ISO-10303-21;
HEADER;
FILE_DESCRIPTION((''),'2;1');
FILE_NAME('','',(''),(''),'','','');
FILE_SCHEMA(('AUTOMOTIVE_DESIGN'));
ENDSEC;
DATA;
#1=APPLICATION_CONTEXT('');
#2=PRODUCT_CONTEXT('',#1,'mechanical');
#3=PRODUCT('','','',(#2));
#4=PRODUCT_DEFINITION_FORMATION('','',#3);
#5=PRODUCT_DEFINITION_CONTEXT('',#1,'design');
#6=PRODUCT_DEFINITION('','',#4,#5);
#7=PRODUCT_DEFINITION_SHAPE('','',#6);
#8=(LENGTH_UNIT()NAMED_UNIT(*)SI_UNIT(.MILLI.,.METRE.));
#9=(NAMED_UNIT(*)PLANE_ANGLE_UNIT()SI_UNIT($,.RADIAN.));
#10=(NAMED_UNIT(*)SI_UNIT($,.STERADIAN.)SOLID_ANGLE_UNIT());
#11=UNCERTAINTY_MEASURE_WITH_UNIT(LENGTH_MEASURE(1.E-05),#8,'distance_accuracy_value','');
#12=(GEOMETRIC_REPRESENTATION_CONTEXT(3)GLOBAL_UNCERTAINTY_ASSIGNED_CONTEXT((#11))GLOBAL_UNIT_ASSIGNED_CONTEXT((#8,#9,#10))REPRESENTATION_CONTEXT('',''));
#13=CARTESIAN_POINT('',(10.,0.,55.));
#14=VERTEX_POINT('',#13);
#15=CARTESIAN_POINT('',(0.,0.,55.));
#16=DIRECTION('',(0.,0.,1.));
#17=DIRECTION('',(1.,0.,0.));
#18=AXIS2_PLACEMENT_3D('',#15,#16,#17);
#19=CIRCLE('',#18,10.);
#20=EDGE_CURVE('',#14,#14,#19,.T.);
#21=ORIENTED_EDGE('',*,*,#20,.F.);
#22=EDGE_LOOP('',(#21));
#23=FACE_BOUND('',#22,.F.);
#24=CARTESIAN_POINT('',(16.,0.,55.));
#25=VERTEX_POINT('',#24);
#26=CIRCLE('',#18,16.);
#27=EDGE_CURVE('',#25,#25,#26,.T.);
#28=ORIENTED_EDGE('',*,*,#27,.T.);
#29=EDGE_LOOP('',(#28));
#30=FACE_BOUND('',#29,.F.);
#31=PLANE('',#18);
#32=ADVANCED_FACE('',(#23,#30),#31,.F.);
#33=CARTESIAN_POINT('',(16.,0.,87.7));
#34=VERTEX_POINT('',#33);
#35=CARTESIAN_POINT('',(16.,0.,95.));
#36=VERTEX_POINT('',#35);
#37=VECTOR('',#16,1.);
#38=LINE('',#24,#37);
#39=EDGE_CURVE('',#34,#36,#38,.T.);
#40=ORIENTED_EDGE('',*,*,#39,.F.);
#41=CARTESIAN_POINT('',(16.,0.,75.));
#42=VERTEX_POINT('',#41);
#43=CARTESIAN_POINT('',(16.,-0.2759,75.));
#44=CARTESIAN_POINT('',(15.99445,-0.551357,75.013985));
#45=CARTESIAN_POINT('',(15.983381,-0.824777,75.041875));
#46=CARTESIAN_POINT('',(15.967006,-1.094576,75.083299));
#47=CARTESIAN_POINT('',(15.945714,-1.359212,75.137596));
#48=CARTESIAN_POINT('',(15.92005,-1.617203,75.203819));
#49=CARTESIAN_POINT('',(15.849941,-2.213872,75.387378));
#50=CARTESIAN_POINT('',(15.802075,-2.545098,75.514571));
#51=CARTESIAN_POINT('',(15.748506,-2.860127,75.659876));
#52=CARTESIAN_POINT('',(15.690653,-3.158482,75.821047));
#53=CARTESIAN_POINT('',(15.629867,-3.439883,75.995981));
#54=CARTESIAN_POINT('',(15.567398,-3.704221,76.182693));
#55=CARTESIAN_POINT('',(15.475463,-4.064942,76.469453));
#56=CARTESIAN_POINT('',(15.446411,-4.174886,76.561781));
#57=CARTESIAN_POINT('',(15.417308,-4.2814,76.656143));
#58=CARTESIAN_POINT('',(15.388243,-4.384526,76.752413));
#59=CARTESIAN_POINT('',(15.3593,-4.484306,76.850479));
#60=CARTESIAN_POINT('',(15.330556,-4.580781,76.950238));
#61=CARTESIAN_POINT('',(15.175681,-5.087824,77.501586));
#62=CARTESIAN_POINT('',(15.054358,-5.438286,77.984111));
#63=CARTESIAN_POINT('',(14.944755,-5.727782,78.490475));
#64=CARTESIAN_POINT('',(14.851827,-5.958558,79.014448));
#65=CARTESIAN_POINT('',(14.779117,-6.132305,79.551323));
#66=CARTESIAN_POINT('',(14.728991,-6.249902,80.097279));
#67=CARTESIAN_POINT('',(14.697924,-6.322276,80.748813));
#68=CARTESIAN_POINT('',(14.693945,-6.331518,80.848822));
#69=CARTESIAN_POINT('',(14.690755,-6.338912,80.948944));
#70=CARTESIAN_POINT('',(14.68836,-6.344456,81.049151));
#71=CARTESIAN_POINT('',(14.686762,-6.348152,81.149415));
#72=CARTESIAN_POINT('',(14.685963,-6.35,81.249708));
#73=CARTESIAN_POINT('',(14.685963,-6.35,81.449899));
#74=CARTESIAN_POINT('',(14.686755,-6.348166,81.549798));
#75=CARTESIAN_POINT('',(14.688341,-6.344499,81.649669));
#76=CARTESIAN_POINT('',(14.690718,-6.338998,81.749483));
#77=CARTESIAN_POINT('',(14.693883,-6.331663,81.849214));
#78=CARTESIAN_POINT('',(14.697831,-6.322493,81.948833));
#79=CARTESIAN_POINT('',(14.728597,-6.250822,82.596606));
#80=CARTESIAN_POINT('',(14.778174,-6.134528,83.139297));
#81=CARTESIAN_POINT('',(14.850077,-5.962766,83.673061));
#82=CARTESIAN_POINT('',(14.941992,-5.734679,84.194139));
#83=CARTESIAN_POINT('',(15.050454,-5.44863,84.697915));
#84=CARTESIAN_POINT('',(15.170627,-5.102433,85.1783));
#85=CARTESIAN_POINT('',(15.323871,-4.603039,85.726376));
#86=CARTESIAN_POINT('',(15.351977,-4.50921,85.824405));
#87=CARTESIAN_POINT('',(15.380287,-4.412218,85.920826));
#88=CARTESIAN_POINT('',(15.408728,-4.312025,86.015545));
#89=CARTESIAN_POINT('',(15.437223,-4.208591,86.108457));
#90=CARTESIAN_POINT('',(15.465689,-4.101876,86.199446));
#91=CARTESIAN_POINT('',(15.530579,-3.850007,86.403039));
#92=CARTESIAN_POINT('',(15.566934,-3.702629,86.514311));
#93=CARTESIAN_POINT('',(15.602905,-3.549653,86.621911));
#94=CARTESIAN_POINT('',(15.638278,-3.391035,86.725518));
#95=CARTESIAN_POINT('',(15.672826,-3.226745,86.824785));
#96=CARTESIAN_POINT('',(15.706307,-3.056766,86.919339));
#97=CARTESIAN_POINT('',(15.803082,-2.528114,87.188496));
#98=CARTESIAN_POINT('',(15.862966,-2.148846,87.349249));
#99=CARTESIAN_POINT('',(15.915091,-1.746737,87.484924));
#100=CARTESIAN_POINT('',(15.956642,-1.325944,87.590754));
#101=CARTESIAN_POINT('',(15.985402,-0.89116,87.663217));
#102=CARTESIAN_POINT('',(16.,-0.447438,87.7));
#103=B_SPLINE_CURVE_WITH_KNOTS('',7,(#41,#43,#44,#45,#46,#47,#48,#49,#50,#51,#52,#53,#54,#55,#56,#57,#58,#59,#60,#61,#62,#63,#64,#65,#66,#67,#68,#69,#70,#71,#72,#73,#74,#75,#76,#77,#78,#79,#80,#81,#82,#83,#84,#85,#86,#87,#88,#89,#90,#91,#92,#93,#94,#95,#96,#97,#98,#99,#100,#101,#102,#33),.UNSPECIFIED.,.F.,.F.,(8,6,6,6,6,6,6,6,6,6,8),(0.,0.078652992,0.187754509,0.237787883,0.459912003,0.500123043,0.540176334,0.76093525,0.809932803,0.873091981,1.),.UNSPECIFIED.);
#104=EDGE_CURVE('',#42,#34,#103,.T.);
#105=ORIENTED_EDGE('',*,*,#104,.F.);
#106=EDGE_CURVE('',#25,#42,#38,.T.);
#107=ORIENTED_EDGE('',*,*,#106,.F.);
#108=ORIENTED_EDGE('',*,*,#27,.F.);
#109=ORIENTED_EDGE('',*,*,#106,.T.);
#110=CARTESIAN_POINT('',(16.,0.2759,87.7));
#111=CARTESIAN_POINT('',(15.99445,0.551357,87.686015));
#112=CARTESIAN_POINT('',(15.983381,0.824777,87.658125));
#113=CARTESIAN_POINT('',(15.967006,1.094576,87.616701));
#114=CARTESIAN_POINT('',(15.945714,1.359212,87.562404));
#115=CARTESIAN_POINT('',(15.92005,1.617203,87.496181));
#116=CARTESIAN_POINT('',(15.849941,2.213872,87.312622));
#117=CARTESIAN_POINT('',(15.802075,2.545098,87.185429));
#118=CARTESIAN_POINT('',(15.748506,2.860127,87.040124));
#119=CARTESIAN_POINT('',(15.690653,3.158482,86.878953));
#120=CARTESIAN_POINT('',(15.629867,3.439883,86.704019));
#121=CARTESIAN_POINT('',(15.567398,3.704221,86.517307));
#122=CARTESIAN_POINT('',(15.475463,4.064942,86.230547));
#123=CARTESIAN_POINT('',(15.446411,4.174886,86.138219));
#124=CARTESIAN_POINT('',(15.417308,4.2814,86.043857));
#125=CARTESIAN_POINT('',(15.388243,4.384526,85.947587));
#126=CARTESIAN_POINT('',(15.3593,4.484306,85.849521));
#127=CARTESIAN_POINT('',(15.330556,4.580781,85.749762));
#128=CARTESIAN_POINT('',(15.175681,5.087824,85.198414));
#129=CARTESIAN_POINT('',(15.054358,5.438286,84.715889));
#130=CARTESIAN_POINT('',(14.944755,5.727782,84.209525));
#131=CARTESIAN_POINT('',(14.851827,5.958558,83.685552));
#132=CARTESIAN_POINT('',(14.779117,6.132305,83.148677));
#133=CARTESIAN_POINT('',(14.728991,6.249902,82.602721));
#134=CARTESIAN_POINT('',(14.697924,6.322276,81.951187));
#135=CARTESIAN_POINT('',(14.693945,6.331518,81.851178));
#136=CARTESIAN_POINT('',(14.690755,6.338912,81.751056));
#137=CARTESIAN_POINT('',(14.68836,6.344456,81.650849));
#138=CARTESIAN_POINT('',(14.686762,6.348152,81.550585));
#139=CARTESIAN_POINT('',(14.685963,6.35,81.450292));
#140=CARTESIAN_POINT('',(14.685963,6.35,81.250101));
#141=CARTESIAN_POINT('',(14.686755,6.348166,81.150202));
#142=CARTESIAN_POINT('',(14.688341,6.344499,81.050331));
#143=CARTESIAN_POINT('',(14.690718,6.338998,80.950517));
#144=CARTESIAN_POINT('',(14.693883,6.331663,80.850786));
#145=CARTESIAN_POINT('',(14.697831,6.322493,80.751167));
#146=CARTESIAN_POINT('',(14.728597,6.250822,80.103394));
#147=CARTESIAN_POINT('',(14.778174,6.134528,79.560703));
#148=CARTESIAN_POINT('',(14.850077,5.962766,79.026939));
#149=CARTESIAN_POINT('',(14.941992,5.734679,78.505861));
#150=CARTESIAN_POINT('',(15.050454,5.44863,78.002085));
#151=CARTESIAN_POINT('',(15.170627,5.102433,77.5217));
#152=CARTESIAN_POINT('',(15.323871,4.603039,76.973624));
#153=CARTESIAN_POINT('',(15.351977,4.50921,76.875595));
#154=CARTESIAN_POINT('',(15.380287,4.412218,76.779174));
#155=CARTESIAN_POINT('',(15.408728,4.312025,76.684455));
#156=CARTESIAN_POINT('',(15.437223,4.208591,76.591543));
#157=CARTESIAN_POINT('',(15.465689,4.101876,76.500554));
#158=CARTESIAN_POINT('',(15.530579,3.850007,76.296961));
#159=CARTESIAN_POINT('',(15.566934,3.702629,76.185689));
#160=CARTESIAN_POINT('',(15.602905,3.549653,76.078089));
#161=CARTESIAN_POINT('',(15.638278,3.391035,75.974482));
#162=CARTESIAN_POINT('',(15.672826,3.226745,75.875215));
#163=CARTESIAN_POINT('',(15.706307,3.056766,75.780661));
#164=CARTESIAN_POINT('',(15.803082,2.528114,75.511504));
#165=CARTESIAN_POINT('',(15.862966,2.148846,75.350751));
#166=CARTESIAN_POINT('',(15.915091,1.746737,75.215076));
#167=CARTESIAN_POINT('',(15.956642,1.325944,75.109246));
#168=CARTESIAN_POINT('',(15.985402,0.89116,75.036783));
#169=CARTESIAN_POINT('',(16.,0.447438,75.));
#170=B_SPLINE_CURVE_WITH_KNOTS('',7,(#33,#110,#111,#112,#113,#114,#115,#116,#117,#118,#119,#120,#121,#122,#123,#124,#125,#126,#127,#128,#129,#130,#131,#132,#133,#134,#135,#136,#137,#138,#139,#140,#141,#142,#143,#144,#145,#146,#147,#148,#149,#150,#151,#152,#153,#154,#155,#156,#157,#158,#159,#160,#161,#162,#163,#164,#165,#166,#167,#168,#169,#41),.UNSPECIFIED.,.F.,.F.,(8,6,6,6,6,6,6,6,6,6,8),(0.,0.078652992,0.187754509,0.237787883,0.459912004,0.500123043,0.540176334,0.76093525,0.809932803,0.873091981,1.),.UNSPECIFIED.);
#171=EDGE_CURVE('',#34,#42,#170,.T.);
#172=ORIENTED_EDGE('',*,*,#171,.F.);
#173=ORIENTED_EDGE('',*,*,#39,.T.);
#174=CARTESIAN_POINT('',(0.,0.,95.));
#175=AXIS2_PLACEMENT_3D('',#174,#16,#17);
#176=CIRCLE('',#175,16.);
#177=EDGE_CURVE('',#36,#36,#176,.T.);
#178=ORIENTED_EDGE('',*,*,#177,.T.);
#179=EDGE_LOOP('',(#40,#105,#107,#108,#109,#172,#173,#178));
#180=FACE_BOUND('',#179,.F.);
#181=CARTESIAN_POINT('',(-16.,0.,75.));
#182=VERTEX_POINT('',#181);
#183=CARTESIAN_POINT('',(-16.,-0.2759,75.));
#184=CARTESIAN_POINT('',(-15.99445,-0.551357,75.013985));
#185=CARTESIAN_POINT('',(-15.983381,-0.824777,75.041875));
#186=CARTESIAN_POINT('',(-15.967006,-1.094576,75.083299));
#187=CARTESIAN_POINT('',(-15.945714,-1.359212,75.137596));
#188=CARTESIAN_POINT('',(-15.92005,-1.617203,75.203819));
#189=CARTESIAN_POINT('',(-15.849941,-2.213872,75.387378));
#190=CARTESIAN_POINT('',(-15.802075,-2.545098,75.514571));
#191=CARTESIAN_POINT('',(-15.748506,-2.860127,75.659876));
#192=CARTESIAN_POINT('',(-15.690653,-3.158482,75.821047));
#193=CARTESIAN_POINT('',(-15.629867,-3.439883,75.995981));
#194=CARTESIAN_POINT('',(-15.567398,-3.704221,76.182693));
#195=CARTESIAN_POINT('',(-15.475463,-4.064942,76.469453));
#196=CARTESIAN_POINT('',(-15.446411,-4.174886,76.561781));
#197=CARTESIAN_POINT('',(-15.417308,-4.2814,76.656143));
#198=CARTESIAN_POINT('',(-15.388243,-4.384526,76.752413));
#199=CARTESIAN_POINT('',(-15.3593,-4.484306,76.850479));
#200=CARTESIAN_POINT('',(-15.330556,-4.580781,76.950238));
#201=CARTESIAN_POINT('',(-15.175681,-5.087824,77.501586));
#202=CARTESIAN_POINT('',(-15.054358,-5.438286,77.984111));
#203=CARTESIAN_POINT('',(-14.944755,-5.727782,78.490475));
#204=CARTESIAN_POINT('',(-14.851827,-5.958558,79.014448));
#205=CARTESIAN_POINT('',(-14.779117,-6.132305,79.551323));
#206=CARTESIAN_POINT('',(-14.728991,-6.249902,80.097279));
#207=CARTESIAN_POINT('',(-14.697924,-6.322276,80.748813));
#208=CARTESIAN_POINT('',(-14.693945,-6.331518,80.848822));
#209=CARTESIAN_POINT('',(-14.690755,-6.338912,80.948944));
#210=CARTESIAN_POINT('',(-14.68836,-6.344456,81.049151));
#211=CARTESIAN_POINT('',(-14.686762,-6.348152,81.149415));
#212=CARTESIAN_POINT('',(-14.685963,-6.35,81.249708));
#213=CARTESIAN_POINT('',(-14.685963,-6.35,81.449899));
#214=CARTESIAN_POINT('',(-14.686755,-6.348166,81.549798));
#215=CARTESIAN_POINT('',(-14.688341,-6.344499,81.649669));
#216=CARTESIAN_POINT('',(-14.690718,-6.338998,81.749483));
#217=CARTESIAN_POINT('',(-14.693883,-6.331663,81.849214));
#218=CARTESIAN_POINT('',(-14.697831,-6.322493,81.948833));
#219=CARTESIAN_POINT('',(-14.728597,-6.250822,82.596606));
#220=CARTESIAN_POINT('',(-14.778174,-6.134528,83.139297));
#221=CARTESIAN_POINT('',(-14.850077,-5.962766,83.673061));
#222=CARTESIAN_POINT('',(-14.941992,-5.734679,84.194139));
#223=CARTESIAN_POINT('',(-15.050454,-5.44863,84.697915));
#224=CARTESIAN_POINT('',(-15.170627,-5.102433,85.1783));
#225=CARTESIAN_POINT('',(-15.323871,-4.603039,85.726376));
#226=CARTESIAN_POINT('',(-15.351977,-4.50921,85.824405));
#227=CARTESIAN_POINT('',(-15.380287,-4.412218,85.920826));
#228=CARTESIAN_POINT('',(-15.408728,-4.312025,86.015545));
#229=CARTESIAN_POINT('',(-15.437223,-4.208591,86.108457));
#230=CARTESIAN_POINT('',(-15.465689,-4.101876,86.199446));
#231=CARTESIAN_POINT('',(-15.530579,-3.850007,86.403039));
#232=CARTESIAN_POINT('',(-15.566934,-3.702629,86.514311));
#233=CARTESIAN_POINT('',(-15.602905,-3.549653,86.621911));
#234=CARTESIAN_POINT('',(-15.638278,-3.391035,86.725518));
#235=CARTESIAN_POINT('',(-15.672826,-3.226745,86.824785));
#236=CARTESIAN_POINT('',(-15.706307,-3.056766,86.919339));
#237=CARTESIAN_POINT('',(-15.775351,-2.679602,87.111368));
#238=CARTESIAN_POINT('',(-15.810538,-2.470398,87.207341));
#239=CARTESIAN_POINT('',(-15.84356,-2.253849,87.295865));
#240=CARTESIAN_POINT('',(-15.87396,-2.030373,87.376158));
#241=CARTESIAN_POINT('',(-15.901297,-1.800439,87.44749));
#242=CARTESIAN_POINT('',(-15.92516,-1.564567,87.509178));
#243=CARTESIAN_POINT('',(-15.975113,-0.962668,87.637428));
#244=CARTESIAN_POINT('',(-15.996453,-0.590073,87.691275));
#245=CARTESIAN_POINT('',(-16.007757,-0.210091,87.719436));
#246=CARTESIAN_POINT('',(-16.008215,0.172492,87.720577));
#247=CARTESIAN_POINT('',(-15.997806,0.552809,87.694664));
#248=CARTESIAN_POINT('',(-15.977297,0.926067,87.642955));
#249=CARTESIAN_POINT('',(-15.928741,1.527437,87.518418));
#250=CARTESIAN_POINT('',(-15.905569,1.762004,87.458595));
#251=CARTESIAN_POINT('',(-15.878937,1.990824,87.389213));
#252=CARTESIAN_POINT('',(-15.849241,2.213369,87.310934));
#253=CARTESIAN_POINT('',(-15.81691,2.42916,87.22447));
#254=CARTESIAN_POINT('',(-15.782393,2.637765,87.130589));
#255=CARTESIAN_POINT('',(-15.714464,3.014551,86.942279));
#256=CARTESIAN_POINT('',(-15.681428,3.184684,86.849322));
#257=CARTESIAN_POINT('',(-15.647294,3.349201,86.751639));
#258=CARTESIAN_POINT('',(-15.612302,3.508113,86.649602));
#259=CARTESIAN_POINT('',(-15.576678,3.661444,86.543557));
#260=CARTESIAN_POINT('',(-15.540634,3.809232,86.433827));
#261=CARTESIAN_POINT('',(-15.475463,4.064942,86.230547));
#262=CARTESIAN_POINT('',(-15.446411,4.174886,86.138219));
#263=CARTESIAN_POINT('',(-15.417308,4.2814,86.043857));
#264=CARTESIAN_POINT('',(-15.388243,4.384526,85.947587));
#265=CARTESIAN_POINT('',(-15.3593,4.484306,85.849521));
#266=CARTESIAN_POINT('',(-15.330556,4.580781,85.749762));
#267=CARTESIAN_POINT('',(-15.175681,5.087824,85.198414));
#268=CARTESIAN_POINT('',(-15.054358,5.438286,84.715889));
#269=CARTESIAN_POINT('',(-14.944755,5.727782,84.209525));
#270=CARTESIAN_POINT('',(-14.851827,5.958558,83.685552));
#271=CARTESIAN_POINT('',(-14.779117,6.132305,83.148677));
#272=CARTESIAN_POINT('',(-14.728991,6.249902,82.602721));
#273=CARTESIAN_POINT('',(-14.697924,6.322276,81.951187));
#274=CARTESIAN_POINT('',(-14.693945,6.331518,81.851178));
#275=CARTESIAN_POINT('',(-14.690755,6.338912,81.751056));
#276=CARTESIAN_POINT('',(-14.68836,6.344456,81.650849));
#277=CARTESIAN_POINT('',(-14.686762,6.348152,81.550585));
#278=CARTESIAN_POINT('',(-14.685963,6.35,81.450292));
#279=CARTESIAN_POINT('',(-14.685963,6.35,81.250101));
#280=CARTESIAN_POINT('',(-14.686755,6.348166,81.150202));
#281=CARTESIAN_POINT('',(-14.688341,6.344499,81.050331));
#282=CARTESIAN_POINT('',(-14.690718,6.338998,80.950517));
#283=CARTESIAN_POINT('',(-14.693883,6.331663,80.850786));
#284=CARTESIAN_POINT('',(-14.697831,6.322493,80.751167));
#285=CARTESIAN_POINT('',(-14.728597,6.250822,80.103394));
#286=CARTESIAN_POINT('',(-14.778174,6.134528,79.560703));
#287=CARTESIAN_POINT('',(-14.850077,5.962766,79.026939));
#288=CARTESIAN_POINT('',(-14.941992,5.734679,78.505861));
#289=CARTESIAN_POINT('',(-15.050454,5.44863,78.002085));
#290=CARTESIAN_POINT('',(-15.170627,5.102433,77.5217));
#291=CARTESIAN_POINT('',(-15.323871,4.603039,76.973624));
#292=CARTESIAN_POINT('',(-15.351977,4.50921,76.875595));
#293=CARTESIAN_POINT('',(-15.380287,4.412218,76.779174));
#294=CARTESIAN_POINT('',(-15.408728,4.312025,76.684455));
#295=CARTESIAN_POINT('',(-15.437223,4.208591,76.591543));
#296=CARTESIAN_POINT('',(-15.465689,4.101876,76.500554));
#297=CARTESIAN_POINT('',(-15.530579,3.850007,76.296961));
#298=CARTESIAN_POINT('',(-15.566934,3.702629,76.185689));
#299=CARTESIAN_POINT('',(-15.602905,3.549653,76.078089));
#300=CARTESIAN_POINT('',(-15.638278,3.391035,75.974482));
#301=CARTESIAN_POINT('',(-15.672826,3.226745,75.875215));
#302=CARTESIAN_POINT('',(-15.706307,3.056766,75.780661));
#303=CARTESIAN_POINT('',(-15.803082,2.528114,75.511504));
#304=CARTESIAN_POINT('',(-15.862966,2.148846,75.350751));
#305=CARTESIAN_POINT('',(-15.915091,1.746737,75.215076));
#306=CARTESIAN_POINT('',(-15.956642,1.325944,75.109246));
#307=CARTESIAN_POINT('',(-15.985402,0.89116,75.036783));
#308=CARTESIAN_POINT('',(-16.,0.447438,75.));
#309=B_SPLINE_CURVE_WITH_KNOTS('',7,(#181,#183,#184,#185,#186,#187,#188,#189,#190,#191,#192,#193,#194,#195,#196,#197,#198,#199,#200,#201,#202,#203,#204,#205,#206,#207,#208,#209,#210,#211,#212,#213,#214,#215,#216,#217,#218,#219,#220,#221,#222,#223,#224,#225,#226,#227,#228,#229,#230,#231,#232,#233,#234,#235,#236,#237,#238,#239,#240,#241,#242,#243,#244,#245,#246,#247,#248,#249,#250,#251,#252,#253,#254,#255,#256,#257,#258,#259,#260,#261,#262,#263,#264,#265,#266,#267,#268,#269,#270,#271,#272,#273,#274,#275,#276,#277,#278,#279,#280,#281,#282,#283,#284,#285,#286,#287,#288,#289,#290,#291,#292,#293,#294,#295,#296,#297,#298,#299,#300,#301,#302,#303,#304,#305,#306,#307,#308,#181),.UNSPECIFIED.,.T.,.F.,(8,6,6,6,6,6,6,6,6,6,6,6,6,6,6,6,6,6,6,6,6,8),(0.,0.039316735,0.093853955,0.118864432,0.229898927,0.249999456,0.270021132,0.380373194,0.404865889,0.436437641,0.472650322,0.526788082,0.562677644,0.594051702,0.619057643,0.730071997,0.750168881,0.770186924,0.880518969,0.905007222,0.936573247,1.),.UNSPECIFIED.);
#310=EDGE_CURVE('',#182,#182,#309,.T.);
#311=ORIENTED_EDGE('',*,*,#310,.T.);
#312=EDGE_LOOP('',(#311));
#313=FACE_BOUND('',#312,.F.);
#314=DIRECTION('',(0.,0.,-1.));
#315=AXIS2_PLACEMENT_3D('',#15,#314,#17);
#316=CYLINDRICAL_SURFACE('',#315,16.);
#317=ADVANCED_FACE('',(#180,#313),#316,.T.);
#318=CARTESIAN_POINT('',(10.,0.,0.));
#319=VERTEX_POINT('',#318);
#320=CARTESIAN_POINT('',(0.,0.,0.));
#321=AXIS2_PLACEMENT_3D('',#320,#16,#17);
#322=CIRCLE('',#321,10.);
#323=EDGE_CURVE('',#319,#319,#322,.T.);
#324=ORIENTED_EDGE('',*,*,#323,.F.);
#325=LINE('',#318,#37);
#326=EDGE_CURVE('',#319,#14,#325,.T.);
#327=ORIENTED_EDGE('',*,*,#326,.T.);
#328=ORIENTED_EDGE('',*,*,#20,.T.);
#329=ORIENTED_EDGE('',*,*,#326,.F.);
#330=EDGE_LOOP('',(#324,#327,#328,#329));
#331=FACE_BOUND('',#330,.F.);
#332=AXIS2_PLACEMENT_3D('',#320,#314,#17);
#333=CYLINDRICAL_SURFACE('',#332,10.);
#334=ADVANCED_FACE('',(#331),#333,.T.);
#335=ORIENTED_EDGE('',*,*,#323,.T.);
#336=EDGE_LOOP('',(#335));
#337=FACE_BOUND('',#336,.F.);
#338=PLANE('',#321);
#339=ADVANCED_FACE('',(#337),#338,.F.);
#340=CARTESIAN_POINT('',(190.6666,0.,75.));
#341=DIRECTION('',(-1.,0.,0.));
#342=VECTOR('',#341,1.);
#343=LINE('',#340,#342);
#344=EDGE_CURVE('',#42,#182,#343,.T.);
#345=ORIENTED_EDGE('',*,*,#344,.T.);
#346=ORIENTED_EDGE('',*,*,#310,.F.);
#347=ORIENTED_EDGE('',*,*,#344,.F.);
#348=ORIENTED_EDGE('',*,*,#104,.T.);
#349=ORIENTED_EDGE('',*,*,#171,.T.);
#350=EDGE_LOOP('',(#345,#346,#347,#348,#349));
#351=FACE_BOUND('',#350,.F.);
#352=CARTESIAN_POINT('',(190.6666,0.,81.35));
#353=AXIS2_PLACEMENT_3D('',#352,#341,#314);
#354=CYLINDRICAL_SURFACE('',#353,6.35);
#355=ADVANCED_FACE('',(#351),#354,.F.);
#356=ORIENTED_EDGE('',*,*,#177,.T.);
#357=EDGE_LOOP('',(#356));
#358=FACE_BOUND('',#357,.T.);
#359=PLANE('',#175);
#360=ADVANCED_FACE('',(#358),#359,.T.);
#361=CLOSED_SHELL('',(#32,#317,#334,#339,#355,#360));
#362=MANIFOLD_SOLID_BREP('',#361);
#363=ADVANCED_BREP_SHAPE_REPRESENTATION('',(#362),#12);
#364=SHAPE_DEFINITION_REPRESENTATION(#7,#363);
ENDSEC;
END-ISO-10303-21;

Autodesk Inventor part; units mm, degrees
ref_plane "YZ Plane" through (0, 0, 0) normal (1, 0, 0) x (0, 1, 0)
ref_plane "XZ Plane" through (0, 0, 0) normal (0, 1, 0) x (-1, 0, 0)
ref_plane "XY Plane" through (0, 0, 0) normal (0, 0, 1) x (1, 0, 0)
sketch "Sketch1" plane through (0, 0, 0) normal (0, 0, 1) x (1, 0, 0)
  circle A0 centre (0, 0) radius 10
  dimension "d0" = 20
extrude "Extrusion1" add sketch "Sketch1" along normal blind 55
sketch "Sketch2" plane through (0, 0, 55) normal (0, 0, 1) x (1, 0, 0)
  circle A0 centre (0, 0) radius 16
  dimension "d3" = 32
extrude "Extrusion2" add sketch "Sketch2" along normal blind 40
sketch "Sketch3" plane through (0, 0, 0) normal (1, 0, 0) x (0, 1, 0)
  line L0 (16, 55) -> (-16, 55) projected
  point P0 (0, 0)
  point P1 (0, 81.35)
  dimension "d6" = 26.35
hole "Hole1" at (0, 0, 81.35) direction (-1, 0, 0) diameter 12.7 end through all both
thread "Thread1" size "M20x2.5" class "6g" standard "ANSI Metric M Profile" full length
properties part number "CompressionGripAttachment"
